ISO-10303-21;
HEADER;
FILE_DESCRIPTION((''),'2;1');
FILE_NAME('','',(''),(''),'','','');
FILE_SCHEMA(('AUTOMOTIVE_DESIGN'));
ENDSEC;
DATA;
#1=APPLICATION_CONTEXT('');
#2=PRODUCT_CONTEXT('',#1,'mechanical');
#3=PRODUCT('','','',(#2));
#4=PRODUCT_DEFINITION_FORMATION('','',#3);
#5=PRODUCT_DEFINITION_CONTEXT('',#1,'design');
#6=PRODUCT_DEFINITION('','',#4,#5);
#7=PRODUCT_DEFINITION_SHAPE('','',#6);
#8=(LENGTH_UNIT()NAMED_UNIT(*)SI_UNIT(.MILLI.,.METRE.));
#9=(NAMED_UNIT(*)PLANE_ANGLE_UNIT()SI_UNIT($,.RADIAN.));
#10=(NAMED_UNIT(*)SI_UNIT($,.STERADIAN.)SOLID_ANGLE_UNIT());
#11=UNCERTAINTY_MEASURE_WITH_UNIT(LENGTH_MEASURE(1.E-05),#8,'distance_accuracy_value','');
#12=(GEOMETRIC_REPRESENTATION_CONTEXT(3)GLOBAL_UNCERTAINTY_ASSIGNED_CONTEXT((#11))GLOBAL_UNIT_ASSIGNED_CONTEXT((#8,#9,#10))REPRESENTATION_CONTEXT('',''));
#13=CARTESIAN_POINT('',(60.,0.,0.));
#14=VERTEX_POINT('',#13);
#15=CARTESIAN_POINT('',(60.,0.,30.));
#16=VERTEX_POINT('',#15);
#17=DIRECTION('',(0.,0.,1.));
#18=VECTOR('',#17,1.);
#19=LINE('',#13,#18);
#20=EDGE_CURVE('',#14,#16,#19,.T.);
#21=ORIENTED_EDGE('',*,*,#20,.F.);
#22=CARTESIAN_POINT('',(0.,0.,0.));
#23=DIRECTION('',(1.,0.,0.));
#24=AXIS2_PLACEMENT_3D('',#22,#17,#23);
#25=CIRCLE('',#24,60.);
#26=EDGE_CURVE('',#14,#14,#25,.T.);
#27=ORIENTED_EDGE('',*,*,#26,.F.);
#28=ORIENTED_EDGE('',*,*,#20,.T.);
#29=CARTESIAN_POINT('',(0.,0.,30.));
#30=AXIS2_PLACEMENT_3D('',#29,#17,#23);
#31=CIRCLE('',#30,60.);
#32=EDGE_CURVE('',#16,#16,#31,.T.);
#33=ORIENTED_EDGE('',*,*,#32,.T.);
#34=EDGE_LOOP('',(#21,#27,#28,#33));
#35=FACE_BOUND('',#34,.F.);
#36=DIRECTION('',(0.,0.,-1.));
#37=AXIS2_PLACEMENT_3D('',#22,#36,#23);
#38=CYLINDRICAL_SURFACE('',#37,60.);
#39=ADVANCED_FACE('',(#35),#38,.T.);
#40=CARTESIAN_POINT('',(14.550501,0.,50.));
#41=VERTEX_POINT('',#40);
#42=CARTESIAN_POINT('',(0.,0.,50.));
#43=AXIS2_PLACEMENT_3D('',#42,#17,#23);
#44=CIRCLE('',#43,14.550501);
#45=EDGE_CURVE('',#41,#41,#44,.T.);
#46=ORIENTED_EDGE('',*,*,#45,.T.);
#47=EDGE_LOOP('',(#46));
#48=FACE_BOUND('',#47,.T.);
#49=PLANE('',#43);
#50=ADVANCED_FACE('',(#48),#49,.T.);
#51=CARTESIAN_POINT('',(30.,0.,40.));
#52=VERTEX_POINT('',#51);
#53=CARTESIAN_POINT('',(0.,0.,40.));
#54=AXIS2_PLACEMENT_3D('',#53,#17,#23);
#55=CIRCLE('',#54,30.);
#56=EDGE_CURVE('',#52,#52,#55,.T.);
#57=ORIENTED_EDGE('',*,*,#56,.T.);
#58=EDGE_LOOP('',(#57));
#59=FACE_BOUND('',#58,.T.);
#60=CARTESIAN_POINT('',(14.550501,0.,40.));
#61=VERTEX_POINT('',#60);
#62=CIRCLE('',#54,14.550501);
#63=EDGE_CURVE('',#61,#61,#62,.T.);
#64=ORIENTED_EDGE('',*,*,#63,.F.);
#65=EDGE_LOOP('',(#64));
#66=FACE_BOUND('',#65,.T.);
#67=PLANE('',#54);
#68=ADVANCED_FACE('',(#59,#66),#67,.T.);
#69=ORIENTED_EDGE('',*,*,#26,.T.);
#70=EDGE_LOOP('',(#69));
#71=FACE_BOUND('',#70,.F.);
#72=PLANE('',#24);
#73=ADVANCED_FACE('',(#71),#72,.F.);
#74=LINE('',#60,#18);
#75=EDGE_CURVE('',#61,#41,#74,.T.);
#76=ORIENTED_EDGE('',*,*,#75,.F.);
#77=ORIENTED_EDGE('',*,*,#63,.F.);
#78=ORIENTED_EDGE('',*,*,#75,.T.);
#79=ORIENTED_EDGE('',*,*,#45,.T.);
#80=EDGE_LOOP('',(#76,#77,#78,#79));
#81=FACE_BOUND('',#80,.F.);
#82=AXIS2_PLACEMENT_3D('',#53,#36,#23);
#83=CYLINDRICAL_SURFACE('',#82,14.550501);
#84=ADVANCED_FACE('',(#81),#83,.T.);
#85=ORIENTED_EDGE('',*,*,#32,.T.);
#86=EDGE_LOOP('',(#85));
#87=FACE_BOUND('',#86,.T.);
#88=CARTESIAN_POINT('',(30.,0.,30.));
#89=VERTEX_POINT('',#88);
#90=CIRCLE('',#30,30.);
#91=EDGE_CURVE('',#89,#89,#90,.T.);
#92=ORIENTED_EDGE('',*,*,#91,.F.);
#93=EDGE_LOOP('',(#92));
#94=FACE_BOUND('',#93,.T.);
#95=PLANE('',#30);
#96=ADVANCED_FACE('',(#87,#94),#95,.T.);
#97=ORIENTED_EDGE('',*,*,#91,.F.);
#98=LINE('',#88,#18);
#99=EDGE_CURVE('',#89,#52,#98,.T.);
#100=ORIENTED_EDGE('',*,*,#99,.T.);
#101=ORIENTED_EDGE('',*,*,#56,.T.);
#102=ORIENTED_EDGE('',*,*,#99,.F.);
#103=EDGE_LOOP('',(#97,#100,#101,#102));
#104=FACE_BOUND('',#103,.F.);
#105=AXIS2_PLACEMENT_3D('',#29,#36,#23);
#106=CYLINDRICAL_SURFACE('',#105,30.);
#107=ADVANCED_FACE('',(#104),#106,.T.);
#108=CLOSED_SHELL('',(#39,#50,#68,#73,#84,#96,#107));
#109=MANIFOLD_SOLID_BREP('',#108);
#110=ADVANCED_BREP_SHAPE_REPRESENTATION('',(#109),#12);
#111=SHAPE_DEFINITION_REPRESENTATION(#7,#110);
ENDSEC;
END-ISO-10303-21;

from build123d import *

# Parameters (mm, degrees)
F0_R     = 60
F1_DEPTH = 30
F2_R     = 30
F3_DEPTH = 10
F4_R     = 14.550501
F5_DEPTH = 10


with BuildPart() as f1:
    # F0 (on Top) → F1 (new body)
    with BuildSketch(Plane.XY):
        Circle(F0_R)
    extrude(amount=F1_DEPTH)

    # F2 (on face) → F3 (join)
    with BuildSketch(Plane.XY.offset(30)):
        Circle(F2_R)
    extrude(amount=F3_DEPTH)

    # F4 (on face) → F5 (join)
    with BuildSketch(Plane.XY.offset(40)):
        Circle(F4_R)
    extrude(amount=F5_DEPTH)


solid = f1.part
